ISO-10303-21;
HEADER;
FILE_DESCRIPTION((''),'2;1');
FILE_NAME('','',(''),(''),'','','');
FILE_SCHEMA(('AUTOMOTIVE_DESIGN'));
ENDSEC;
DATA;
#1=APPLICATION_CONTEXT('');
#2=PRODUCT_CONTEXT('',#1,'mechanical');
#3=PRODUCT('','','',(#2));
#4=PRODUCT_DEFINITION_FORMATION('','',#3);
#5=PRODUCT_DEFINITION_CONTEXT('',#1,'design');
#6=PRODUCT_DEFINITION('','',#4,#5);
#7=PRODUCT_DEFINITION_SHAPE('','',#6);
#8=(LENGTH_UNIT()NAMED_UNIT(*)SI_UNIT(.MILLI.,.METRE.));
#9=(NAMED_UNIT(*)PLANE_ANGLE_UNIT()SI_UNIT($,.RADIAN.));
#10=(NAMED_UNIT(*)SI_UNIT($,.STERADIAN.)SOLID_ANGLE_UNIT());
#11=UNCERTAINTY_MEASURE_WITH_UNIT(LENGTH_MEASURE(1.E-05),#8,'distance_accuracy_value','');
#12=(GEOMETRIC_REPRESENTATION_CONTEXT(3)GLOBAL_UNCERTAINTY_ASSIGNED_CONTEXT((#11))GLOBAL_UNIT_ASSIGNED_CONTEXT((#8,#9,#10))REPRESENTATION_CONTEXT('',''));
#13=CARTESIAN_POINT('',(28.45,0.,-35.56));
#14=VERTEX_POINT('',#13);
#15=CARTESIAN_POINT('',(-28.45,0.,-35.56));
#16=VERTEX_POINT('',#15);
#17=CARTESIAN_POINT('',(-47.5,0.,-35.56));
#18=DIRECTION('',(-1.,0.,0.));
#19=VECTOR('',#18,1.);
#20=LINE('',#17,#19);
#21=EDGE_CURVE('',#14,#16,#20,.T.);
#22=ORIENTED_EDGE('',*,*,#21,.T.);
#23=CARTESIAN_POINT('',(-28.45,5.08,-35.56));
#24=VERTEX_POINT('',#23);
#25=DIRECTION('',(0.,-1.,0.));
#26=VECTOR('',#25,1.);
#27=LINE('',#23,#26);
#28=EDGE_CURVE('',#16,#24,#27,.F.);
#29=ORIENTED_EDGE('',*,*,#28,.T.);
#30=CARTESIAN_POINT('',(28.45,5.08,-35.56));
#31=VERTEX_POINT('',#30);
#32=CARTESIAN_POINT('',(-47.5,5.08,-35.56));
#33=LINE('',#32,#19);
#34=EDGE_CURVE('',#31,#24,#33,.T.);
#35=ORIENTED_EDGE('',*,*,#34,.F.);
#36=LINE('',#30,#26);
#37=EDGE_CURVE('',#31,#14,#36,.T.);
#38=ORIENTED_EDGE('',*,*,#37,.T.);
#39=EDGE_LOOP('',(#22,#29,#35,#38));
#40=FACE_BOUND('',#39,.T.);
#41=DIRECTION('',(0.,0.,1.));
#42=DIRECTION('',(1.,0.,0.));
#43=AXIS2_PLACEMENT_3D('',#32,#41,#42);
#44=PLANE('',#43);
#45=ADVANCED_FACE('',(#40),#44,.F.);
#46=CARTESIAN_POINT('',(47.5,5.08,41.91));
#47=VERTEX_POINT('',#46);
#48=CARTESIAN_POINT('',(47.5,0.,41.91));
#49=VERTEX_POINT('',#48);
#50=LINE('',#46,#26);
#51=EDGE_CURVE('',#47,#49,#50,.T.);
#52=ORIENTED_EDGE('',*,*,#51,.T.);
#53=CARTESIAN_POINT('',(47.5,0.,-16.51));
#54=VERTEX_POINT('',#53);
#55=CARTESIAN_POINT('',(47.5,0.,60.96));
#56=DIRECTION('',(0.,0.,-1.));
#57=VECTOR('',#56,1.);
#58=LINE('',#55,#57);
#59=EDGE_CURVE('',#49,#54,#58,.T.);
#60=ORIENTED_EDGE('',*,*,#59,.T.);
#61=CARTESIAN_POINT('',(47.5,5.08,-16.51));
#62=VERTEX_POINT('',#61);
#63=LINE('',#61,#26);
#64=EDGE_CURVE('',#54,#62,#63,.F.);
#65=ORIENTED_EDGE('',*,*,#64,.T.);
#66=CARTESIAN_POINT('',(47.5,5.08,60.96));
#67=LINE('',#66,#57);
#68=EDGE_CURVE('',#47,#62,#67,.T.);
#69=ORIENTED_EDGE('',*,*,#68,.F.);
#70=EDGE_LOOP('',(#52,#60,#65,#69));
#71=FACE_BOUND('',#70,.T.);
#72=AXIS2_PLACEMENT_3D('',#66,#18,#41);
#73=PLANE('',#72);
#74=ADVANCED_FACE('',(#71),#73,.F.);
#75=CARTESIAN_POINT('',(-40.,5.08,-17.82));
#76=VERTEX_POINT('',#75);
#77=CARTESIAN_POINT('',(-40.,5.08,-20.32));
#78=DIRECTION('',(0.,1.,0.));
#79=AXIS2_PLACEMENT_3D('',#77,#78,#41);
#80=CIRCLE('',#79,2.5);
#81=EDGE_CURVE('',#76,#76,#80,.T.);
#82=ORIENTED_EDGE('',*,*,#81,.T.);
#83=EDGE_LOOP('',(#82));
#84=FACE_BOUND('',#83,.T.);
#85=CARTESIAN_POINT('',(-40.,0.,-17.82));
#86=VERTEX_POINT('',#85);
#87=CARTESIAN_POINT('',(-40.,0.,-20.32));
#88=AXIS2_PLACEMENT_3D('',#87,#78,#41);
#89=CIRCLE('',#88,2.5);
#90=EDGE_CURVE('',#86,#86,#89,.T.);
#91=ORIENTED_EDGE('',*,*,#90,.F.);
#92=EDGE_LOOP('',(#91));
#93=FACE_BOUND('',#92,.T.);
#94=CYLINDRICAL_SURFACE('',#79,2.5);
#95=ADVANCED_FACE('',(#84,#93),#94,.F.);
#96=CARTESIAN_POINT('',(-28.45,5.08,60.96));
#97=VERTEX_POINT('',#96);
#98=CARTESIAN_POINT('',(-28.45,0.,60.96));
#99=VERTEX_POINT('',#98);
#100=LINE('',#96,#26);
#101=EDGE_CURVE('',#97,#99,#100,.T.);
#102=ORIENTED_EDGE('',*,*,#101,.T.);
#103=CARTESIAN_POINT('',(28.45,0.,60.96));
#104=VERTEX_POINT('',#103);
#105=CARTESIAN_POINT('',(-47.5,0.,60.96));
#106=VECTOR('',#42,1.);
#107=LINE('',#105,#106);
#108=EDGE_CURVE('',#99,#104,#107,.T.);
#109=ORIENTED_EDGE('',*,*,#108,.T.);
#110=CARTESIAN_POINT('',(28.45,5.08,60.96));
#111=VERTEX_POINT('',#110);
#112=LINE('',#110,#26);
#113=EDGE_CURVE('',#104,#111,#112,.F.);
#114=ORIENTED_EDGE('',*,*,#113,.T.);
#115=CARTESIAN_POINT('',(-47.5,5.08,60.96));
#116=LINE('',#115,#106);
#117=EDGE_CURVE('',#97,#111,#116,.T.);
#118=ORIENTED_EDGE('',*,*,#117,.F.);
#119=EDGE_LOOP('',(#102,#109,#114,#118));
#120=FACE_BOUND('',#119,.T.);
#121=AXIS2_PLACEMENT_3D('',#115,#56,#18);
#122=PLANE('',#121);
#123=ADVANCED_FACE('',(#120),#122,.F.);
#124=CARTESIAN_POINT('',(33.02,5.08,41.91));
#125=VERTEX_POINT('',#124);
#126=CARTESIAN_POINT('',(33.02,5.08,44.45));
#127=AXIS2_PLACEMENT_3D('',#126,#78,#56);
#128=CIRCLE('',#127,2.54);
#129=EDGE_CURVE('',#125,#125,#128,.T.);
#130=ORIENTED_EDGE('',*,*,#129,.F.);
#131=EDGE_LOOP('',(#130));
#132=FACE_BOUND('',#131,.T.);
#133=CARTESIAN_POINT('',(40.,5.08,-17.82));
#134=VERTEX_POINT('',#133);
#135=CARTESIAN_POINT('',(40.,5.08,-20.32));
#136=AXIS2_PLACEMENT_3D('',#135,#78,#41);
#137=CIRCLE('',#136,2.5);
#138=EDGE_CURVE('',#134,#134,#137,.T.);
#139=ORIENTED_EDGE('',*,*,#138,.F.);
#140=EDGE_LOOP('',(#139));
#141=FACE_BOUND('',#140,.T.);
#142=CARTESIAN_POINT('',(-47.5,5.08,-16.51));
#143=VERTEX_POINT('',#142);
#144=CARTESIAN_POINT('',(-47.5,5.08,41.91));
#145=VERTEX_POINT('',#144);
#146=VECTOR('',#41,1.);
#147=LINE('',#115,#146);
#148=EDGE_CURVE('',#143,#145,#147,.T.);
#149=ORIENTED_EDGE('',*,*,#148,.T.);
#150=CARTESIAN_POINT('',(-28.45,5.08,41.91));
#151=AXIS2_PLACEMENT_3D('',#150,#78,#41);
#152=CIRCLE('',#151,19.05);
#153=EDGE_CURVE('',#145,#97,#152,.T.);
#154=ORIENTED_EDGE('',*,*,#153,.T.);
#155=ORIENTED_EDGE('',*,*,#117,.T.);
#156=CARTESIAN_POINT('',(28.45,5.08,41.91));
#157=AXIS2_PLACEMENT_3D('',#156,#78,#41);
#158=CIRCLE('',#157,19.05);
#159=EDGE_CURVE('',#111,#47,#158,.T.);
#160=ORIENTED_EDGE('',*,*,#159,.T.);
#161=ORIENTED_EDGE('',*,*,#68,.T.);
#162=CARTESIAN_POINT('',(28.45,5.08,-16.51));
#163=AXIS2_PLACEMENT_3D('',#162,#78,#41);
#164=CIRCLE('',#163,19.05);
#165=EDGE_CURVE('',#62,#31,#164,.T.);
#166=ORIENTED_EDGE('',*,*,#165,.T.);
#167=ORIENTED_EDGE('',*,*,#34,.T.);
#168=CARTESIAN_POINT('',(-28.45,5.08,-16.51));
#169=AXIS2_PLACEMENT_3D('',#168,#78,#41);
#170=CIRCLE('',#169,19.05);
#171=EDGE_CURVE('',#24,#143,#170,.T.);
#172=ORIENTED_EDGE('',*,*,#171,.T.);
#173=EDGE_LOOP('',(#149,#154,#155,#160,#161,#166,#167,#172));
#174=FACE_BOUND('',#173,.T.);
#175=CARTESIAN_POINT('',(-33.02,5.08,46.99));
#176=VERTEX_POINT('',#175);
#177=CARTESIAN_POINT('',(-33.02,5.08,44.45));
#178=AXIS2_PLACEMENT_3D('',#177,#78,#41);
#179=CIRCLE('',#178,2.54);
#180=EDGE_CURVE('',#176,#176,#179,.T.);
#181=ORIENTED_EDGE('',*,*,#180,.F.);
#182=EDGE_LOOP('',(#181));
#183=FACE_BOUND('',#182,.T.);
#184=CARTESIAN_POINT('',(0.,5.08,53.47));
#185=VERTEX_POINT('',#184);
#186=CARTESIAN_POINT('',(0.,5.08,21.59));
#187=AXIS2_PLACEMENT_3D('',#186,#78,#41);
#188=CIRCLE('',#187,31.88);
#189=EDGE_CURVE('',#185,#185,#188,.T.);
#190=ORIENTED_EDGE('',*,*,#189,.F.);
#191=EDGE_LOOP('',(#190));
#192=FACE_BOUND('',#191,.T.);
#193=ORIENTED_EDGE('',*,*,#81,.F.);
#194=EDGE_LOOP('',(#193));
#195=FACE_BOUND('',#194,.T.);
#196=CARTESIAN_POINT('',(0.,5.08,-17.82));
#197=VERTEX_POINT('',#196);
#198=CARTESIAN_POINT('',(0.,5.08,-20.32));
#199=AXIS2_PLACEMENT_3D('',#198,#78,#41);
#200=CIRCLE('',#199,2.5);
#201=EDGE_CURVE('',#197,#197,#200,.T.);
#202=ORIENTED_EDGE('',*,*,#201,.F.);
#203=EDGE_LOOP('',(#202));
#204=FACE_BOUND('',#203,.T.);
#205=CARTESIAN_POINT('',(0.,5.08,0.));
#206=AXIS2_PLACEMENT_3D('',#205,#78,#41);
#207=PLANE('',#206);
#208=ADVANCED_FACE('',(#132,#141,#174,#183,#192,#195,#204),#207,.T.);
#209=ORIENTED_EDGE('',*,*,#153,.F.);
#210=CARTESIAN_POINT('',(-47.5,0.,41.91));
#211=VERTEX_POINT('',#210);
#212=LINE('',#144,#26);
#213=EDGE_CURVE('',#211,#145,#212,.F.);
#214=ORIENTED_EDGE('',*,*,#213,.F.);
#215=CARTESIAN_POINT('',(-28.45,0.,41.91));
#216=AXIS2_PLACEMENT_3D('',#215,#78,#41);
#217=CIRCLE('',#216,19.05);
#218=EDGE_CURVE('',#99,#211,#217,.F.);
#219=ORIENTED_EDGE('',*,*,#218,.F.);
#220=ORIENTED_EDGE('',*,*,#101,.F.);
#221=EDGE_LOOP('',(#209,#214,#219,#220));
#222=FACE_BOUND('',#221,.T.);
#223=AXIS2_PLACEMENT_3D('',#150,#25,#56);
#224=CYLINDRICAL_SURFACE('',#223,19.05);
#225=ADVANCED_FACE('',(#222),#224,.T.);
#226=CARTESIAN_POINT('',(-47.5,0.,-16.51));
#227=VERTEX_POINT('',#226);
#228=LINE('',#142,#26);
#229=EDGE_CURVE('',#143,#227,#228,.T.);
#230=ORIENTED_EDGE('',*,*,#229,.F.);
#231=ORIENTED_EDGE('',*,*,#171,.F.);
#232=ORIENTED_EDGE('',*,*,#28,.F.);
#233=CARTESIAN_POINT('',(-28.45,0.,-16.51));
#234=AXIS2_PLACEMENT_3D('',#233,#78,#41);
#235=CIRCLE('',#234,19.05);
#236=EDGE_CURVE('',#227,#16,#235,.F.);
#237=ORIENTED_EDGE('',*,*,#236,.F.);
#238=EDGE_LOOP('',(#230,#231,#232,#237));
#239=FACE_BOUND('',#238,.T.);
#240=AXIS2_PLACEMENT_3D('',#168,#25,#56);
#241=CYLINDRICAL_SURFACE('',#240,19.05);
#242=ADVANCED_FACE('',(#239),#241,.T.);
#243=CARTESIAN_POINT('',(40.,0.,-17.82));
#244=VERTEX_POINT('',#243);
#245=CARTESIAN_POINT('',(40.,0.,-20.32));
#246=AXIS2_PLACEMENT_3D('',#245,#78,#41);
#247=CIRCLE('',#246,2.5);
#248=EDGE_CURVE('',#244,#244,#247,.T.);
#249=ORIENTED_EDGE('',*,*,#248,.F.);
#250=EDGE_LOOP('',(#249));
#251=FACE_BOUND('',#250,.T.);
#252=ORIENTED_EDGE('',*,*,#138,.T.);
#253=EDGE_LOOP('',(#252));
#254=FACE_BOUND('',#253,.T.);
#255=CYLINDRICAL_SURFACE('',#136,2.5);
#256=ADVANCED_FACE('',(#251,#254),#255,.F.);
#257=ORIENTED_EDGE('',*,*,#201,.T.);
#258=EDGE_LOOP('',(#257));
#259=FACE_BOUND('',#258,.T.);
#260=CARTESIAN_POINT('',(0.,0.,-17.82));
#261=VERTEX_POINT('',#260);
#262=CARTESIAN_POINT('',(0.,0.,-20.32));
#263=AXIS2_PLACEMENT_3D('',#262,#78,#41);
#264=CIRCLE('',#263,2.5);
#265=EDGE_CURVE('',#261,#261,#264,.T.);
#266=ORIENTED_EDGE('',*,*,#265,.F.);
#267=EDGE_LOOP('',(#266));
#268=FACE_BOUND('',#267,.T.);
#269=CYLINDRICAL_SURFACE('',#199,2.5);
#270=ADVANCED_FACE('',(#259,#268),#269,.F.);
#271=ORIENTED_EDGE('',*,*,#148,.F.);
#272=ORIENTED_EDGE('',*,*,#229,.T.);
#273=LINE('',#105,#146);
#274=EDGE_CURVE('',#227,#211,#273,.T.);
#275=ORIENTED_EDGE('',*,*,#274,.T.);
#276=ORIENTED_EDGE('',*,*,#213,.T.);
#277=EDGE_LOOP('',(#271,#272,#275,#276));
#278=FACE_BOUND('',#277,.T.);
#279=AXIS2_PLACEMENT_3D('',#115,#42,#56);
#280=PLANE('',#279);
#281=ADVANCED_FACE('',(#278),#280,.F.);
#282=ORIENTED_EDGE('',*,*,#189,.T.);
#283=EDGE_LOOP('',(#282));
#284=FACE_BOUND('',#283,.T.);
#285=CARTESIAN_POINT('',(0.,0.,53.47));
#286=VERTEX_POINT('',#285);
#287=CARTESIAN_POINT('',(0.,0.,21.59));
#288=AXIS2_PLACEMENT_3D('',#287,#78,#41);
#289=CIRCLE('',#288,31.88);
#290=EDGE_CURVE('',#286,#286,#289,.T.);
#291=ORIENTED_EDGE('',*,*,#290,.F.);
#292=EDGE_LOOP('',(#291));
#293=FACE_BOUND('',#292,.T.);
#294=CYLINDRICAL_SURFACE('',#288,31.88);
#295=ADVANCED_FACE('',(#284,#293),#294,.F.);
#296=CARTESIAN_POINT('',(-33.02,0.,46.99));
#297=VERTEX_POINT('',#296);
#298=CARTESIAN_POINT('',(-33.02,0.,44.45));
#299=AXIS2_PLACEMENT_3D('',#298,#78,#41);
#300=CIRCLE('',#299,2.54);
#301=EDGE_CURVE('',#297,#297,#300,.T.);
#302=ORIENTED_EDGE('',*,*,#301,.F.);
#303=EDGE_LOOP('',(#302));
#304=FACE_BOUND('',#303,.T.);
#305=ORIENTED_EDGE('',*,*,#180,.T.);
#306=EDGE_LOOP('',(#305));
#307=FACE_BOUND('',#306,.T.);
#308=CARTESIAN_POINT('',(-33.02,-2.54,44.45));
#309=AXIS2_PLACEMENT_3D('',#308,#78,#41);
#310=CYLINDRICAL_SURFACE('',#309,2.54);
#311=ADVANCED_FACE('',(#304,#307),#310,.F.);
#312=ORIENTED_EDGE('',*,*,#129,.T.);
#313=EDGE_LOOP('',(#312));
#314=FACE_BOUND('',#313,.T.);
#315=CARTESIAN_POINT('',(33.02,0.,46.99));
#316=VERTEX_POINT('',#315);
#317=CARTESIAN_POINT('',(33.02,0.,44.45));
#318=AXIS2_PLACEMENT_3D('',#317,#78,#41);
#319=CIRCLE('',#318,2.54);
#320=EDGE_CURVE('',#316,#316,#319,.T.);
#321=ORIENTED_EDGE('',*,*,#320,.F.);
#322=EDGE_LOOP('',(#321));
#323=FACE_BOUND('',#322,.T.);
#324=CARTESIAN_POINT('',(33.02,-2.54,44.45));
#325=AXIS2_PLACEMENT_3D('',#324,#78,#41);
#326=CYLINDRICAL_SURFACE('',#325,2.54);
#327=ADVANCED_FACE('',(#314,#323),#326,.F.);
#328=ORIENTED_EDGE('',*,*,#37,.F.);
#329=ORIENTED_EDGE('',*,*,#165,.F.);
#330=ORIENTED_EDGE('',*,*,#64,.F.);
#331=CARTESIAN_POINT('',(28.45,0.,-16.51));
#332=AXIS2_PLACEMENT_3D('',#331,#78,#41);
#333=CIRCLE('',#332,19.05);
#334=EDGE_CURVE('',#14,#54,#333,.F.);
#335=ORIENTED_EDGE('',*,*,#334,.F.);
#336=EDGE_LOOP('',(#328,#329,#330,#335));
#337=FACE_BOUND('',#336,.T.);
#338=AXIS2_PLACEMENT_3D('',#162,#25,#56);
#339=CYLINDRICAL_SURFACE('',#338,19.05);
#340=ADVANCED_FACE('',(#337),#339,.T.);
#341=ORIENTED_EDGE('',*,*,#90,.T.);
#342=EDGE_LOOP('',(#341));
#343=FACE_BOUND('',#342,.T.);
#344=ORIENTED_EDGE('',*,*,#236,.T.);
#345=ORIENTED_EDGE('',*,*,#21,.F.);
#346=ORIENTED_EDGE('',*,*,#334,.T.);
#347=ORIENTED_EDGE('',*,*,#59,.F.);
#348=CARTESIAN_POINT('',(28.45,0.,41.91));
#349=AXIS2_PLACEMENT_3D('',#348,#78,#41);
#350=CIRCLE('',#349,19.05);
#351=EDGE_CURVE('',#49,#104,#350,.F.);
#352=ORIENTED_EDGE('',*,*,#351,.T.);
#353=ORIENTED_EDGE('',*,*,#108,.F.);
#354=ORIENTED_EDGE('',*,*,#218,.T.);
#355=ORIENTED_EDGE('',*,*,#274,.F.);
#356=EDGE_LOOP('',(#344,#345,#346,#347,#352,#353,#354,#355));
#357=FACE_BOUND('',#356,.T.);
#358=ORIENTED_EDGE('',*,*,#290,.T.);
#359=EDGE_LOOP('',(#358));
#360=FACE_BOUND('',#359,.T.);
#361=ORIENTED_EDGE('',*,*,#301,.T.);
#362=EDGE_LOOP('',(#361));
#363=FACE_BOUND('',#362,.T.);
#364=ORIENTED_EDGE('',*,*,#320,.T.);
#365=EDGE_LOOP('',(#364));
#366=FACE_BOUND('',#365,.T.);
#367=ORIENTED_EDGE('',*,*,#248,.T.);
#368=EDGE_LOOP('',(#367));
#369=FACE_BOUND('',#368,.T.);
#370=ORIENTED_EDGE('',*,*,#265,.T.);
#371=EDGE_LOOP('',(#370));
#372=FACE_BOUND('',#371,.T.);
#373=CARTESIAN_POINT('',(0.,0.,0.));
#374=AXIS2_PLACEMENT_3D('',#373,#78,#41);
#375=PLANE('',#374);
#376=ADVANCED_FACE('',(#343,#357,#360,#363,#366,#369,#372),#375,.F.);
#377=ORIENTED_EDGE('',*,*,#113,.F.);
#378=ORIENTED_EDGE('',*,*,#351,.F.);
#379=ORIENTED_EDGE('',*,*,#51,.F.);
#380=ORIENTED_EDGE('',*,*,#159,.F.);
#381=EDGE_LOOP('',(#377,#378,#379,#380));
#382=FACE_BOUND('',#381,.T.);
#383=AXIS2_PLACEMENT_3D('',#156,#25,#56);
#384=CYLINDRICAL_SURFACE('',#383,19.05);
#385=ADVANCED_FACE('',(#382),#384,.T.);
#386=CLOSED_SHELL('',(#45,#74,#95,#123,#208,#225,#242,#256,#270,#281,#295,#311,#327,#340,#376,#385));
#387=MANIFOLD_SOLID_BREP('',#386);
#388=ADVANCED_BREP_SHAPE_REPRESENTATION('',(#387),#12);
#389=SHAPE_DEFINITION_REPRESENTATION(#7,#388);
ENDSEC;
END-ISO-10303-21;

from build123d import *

# Parameters (mm, degrees)
SKETCH2_W                 = 95
SKETCH2_H                 = 96.52
BOSS_EXTRUDE3_DEPTH       = 5.08
SKETCH3_R                 = 31.879999994
CUT_EXTRUDE1_DEPTH        = 78.447905072
M6X1_0_TAPPED_HOLE1_D     = 5
M6X1_0_TAPPED_HOLE1_DEPTH = 5.08
M6X1_0_TAPPED_HOLE1_TIP   = 1.502151548
SKETCH7_R                 = 2.54
CUT_EXTRUDE2_DEPTH        = 7.62
FILLET1_R                 = 19.05


with BuildPart() as part:
    # Sketch2 → Boss-Extrude3 (new body)
    with BuildSketch(Plane(origin=(0, 0, 0), x_dir=(1, 0, 0), z_dir=(0, 1, 0))):
        with Locations((0, -12.7)):
            Rectangle(SKETCH2_W, SKETCH2_H)
    extrude(amount=BOSS_EXTRUDE3_DEPTH)

    # Sketch3 → Cut-Extrude1 (cut, through all)
    with BuildSketch(Plane(origin=(0, 5.08, 0), x_dir=(1, 0, 0), z_dir=(0, 1, 0))):
        with Locations(Location((0, -21.59, 0), (0, 0, 270))):
            Circle(SKETCH3_R)
    extrude(amount=-CUT_EXTRUDE1_DEPTH, mode=Mode.SUBTRACT)

    # M6x1.0 Tapped Hole1
    with Locations(Plane(origin=(0, 5.08, 0), x_dir=(1, 0, 0), z_dir=(0, 1, 0))):
        with Locations((-40, 20.32), (40, 20.32), (0, 20.32)):
            Hole(M6X1_0_TAPPED_HOLE1_D / 2, depth=M6X1_0_TAPPED_HOLE1_DEPTH)
            with Locations((0, 0, -(M6X1_0_TAPPED_HOLE1_DEPTH + M6X1_0_TAPPED_HOLE1_TIP / 2))):  # 118° drill point
                Cone(0, M6X1_0_TAPPED_HOLE1_D / 2, M6X1_0_TAPPED_HOLE1_TIP, mode=Mode.SUBTRACT)

    # Sketch7 → Cut-Extrude2 (cut)
    with BuildSketch(Plane(origin=(0, 5.08, 0), x_dir=(1, 0, 0), z_dir=(0, 1, 0))):
        with Locations(Location((-33.02, -44.45, 0), (0, 0, 270))):
            Circle(SKETCH7_R)
        with Locations(Location((33.02, -44.45, 0), (0, 0, 270))):
            Circle(SKETCH7_R)
    extrude(amount=-CUT_EXTRUDE2_DEPTH, mode=Mode.SUBTRACT)

    # Fillet1
    fillet1_edges = [part.edges().sort_by_distance(p)[0] for p in [
        (47.5, 2.54, -35.56),
        (47.5, 2.54, 60.96),
        (-47.5, 2.54, 60.96),
        (-47.5, 2.54, -35.56),
    ]]
    fillet(fillet1_edges, radius=FILLET1_R)


solid = part.part
